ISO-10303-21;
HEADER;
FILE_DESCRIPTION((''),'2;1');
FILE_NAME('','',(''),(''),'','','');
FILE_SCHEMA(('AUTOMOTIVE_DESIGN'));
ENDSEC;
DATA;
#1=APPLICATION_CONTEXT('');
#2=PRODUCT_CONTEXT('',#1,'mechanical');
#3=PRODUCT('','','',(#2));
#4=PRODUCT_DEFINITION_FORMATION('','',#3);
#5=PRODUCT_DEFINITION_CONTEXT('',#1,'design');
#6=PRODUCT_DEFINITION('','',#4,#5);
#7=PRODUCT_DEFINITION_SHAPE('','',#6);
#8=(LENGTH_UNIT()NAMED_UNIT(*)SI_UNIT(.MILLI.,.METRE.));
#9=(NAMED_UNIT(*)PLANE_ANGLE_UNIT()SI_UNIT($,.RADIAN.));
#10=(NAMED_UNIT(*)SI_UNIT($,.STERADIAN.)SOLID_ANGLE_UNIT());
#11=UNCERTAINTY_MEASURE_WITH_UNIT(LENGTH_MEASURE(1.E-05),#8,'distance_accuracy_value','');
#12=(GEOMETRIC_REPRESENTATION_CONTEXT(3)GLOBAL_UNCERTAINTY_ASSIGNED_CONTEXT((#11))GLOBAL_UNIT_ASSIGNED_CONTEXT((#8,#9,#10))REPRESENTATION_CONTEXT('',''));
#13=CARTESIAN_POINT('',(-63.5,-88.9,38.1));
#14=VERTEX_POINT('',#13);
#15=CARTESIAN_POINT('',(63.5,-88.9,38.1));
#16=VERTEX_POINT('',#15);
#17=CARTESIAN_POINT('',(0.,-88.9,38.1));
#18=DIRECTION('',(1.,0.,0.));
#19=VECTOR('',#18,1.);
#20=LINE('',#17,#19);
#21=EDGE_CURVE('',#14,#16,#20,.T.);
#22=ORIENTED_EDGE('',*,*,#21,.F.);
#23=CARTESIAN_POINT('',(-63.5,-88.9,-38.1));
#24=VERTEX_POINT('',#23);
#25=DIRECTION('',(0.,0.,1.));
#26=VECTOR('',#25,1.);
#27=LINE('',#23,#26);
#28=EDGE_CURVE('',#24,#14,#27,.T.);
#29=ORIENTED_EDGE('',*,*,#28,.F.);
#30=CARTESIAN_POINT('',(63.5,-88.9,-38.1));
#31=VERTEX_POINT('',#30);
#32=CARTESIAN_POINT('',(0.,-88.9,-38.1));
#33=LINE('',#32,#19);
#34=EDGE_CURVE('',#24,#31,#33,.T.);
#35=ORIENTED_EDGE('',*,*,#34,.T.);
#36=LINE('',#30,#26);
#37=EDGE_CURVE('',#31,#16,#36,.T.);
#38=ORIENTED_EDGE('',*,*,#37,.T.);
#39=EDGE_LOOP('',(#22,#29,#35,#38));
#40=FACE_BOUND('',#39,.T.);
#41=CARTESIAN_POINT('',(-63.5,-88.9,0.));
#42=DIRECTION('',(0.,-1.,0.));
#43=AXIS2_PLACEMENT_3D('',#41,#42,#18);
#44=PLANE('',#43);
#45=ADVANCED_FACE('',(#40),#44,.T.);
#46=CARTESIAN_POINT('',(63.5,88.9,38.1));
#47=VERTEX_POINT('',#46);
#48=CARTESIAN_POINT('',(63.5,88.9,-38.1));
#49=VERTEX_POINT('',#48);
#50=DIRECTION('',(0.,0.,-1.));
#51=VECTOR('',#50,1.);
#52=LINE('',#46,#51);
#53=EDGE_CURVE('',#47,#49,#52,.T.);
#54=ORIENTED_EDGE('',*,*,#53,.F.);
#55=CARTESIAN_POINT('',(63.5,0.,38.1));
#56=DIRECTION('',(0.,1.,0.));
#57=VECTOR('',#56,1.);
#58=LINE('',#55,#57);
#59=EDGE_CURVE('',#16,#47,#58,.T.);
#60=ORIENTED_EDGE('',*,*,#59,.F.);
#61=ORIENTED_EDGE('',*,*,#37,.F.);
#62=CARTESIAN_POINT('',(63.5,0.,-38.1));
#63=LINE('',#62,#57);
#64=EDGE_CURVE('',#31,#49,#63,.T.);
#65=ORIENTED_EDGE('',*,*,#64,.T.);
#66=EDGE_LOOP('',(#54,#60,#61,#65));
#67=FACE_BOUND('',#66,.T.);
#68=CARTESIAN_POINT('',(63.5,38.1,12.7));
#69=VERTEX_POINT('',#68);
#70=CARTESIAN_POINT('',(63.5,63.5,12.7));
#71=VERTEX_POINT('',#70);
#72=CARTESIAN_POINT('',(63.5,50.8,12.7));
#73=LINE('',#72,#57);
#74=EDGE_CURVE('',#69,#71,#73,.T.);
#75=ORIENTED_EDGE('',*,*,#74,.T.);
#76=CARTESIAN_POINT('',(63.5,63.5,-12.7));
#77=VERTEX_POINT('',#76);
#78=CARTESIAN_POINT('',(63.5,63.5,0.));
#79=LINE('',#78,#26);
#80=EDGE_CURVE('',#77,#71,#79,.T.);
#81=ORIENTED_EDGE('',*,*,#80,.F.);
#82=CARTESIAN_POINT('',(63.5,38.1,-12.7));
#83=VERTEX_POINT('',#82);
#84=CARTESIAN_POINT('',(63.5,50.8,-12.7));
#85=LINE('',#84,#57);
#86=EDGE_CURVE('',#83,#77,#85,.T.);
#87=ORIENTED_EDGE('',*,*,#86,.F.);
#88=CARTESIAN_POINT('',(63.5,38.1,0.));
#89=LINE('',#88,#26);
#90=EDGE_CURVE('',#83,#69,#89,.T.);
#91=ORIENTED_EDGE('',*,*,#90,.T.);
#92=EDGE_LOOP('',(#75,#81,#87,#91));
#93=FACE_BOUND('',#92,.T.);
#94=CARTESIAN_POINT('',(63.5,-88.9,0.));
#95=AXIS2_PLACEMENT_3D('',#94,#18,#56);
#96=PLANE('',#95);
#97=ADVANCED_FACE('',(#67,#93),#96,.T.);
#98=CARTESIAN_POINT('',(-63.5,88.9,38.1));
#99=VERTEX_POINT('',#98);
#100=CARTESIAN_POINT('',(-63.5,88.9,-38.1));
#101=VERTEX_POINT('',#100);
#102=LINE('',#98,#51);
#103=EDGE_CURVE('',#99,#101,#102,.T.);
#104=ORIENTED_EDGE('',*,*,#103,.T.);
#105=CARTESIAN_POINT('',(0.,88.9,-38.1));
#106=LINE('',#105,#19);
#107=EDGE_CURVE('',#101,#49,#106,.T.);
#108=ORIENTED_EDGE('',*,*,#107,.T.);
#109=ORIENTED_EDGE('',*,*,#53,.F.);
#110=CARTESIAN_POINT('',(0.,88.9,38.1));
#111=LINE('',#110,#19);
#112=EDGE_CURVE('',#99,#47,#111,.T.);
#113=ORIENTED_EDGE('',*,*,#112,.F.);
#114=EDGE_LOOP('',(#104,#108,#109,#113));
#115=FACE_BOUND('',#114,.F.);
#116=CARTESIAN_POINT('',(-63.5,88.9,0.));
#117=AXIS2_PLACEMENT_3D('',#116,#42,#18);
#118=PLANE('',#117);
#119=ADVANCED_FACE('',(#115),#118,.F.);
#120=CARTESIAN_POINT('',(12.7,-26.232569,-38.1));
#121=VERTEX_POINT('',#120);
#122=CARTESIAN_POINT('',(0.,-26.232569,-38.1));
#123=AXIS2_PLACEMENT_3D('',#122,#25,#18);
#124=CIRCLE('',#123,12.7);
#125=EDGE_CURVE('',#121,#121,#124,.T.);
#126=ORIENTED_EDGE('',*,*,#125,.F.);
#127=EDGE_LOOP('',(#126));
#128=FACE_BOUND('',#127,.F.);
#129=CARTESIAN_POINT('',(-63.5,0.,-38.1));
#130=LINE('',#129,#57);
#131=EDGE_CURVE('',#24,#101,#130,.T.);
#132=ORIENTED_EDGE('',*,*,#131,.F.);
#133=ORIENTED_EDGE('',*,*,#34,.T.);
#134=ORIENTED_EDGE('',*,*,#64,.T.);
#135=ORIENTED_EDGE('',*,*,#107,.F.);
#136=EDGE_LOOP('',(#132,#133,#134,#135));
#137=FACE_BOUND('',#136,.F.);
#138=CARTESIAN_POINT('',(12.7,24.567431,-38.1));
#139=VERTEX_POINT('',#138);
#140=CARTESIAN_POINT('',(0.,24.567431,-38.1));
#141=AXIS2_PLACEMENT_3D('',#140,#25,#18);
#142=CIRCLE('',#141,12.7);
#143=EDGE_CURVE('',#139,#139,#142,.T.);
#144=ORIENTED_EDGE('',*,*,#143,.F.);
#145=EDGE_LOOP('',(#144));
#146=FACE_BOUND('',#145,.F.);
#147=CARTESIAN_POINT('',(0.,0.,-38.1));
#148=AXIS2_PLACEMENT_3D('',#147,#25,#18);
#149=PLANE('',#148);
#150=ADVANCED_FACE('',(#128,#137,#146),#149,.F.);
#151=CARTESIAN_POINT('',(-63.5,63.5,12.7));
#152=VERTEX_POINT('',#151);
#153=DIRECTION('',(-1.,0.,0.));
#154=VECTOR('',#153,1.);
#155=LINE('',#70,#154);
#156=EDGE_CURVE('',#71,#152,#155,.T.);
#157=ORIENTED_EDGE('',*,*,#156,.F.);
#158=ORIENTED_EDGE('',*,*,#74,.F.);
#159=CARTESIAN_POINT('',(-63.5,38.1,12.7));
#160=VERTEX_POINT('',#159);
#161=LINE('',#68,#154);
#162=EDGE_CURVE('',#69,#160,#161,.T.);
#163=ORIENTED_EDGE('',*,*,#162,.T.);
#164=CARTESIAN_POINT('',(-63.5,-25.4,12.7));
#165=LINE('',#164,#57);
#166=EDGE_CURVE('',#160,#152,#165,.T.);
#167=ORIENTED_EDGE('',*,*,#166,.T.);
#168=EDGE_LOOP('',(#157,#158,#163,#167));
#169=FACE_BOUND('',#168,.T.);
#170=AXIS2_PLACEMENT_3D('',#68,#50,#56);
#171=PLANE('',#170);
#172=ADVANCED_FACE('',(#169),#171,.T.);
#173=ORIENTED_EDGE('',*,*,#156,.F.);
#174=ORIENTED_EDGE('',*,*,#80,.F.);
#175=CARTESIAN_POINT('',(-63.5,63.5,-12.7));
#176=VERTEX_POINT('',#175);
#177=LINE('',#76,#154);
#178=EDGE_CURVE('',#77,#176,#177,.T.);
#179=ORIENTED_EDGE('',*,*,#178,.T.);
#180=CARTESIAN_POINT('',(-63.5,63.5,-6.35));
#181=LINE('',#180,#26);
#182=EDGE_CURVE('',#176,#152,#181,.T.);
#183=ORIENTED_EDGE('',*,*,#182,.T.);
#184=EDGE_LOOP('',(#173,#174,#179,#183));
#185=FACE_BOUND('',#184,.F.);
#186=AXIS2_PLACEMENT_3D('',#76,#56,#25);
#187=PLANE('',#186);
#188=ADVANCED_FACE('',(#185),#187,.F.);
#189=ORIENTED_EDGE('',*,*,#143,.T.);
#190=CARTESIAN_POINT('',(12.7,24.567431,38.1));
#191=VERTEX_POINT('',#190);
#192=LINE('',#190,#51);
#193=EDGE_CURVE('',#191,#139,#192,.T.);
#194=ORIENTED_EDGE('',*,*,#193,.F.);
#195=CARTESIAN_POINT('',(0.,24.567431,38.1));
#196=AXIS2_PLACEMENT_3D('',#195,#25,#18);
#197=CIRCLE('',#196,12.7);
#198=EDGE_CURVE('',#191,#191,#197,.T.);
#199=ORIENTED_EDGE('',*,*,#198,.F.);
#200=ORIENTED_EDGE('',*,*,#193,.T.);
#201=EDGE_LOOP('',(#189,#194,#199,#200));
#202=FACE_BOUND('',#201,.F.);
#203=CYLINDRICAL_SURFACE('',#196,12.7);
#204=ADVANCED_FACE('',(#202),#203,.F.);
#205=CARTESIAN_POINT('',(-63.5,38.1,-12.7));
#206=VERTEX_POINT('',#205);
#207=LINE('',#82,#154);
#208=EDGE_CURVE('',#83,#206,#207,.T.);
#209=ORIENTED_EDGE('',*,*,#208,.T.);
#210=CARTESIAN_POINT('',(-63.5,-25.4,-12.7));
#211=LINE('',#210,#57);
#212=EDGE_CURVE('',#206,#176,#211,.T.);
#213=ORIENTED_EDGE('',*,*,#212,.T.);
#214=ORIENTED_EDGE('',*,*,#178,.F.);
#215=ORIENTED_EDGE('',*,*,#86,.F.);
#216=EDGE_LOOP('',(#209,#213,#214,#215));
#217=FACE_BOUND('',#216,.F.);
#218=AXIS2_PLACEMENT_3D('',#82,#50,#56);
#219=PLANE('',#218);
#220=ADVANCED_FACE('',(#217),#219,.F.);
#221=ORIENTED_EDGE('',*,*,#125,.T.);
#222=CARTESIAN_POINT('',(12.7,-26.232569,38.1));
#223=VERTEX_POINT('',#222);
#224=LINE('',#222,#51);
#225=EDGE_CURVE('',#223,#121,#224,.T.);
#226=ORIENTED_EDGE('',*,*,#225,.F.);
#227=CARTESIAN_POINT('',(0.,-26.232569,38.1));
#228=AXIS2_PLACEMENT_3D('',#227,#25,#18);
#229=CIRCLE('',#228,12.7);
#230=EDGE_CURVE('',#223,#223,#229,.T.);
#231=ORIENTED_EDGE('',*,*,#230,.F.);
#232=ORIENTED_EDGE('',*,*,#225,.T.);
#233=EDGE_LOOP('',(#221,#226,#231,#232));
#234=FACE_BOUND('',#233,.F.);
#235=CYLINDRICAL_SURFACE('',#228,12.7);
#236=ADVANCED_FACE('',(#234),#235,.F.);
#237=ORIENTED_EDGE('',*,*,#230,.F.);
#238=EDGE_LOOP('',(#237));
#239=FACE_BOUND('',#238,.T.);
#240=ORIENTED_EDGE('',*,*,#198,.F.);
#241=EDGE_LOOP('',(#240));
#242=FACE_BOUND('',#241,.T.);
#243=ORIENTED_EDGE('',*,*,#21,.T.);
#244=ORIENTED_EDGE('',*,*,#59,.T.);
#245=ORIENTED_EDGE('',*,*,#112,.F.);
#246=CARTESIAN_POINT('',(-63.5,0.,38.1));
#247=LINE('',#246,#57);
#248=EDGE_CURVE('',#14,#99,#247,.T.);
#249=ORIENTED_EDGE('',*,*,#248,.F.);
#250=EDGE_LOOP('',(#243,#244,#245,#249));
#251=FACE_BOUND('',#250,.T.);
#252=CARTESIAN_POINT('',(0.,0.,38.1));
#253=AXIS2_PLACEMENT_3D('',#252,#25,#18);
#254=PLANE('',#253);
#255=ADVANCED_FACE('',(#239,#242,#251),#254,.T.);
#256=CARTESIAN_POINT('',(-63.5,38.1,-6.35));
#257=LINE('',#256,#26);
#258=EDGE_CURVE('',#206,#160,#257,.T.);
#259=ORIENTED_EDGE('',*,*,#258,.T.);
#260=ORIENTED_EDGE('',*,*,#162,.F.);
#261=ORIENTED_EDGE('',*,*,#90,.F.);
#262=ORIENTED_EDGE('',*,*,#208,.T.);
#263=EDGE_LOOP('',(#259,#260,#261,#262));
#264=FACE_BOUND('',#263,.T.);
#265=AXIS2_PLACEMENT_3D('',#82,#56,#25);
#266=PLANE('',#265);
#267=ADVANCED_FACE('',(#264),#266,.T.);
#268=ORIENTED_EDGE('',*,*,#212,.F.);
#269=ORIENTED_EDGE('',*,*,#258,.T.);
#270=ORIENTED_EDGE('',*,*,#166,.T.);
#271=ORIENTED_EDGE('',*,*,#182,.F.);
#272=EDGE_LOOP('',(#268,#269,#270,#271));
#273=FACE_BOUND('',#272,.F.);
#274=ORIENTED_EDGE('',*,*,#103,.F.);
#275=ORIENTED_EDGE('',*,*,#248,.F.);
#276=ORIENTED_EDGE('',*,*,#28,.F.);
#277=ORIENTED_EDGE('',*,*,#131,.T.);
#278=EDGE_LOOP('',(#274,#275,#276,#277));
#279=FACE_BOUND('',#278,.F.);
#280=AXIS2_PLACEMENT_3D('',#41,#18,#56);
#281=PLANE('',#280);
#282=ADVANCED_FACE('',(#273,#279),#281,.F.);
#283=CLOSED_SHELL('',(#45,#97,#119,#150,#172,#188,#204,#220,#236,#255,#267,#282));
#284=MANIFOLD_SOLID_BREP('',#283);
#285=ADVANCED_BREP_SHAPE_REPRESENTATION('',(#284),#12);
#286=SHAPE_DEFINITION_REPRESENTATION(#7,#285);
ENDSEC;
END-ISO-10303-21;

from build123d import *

# Parameters (mm, degrees)
F0_W     = 127
F0_H     = 177.8
F1_DEPTH = 38.1
F2_R     = 12.7
F3_DEPTH = 76.201
F4_W     = 25.4
F4_H     = 25.4
F5_DEPTH = 127.001


with BuildPart() as f1:
    # F0 (on Top) → F1 (new body, symmetric)
    with BuildSketch(Plane.XY):
        Rectangle(F0_W, F0_H)
    extrude(amount=F1_DEPTH, both=True)

    # F2 (on face) → F3 (cut, through all)
    with BuildSketch(Plane.XY.offset(38.1)):
        with Locations((0, 24.567431)):
            Circle(F2_R)
        with Locations((0, -26.232569)):
            Circle(F2_R)
    extrude(amount=-F3_DEPTH, mode=Mode.SUBTRACT)

    # F4 (on face) → F5 (cut, through all)
    with BuildSketch(Plane.YZ.offset(63.5)):
        with Locations((50.8, 0)):
            Rectangle(F4_W, F4_H)
    extrude(amount=-F5_DEPTH, mode=Mode.SUBTRACT)


solid = f1.part
